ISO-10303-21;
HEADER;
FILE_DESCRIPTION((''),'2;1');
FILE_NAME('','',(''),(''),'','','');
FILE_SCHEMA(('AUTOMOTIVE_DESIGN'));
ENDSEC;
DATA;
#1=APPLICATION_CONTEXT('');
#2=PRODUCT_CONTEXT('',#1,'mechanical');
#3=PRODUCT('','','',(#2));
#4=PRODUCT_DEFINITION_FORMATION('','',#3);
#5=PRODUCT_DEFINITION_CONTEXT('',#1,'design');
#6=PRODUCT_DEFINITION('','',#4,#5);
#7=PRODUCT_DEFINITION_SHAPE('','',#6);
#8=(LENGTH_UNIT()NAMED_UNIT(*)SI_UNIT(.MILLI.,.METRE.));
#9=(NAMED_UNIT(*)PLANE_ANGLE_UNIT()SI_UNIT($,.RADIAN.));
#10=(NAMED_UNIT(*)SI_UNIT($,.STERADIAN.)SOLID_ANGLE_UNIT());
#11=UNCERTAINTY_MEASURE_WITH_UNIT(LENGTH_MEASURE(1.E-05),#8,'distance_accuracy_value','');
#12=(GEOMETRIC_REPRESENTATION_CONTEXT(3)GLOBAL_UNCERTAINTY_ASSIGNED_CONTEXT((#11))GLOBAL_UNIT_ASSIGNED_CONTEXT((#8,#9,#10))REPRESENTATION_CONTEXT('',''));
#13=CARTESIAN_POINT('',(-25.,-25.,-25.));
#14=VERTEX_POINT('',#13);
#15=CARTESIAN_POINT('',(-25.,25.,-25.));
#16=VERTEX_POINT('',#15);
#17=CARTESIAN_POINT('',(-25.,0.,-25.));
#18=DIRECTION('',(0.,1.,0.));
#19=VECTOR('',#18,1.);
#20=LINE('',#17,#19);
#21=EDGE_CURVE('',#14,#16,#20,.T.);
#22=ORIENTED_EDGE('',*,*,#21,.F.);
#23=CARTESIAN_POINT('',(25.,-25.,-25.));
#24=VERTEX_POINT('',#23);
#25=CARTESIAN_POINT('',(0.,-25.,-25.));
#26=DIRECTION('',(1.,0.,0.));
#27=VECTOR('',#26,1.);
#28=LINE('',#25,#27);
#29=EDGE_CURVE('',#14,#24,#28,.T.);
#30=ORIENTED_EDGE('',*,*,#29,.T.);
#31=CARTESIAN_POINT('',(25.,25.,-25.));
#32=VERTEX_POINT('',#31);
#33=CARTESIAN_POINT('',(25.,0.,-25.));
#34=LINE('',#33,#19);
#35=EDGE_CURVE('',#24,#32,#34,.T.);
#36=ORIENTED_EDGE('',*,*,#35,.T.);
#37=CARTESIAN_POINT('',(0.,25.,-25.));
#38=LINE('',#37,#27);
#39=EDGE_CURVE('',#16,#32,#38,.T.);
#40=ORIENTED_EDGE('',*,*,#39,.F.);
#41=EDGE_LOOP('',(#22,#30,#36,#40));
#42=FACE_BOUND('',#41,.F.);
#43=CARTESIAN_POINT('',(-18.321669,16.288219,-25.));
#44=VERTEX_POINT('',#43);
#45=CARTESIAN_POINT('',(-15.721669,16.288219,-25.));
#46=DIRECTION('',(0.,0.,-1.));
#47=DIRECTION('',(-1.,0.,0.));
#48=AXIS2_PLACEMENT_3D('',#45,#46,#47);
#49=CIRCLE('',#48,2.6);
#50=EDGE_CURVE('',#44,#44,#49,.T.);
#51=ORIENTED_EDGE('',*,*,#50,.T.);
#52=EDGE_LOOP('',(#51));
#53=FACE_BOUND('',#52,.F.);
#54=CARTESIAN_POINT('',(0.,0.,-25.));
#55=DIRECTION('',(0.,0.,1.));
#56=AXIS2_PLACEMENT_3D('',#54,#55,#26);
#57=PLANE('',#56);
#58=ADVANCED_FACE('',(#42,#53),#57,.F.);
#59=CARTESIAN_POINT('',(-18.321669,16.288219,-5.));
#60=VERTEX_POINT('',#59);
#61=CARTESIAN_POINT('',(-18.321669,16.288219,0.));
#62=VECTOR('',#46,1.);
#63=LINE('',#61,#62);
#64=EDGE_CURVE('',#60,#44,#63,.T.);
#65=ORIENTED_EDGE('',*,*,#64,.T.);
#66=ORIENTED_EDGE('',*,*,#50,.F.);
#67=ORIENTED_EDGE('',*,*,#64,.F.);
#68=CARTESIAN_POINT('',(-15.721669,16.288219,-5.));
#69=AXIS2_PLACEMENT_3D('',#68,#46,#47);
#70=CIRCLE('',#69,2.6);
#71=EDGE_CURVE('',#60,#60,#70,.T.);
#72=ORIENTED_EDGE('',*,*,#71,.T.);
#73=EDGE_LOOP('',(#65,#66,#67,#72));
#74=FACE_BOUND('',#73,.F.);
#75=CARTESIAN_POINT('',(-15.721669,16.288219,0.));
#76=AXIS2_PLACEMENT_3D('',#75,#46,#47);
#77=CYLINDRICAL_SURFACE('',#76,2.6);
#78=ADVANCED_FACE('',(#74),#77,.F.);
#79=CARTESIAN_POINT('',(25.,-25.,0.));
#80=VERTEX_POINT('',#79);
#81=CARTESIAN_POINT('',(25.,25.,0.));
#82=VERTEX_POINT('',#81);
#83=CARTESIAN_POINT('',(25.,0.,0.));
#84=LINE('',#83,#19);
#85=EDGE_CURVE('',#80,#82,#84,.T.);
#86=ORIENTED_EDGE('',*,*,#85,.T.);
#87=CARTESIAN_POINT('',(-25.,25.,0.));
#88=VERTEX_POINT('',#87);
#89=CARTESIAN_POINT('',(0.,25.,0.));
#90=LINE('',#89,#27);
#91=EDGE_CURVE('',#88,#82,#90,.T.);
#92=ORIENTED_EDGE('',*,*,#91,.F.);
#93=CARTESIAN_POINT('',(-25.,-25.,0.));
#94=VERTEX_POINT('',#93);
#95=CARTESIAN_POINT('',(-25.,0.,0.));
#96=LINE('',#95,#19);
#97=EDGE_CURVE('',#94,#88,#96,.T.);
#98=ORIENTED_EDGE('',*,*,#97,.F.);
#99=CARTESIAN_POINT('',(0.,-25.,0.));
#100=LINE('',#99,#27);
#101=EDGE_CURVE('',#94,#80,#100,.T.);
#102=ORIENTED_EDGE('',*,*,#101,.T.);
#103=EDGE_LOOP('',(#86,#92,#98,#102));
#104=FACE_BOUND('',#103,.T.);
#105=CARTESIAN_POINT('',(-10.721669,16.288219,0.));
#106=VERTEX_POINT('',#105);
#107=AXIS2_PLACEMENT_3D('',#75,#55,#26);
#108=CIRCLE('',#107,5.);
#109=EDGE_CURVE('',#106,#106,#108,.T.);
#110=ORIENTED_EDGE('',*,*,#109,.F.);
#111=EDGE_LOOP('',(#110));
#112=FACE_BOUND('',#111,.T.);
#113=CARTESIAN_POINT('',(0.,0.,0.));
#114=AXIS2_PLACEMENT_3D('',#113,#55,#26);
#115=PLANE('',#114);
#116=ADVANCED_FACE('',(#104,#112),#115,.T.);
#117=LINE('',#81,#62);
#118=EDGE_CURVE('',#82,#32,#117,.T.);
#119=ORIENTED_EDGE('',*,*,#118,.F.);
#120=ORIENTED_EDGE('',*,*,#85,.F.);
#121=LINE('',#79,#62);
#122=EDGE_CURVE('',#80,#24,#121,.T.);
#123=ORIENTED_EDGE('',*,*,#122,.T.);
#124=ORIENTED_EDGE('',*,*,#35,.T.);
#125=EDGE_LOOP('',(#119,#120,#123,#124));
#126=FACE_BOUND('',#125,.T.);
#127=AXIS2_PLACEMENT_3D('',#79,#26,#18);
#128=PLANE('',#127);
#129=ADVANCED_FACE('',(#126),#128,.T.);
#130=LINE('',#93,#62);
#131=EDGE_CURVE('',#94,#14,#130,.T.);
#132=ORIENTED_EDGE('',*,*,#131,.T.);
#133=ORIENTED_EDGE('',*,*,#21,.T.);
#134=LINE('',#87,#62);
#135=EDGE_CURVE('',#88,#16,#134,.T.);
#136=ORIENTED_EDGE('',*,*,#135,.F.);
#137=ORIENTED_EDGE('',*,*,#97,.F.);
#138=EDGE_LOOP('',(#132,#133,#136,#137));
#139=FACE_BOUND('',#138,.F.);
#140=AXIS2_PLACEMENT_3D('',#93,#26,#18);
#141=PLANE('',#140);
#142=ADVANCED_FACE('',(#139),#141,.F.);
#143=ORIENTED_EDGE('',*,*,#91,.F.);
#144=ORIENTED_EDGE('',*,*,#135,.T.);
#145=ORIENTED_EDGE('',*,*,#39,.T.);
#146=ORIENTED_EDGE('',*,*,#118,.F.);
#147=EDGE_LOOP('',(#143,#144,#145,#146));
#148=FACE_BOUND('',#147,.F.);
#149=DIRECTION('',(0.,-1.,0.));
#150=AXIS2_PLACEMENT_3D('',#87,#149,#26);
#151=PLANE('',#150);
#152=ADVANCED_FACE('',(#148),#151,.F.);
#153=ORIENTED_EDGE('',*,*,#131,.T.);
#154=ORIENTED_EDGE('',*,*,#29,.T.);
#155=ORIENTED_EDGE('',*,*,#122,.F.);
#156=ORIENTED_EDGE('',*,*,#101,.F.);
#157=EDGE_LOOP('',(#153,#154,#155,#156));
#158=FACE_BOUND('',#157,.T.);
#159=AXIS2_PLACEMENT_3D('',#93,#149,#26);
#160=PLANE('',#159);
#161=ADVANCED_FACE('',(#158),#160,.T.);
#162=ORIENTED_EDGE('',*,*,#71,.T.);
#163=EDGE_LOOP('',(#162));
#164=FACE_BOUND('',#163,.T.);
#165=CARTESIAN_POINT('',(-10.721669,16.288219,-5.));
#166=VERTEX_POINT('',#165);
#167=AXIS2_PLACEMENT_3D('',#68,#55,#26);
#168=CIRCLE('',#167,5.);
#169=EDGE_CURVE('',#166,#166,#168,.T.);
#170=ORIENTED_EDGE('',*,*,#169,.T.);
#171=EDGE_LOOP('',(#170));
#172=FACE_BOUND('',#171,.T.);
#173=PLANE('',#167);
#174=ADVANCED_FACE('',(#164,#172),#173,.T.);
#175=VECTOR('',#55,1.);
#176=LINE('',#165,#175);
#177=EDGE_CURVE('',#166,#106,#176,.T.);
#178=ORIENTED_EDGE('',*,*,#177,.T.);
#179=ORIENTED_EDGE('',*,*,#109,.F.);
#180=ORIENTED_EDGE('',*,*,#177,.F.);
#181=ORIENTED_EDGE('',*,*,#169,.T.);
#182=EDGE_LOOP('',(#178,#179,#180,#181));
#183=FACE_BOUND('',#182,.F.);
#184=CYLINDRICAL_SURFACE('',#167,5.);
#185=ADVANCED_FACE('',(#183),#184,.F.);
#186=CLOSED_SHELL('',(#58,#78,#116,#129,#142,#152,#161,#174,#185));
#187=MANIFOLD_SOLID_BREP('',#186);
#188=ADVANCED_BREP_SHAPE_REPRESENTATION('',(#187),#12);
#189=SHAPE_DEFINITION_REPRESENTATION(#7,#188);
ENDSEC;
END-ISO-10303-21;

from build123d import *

# Parameters (mm, degrees)
F0_W           = 50
F0_H           = 50
F1_DEPTH       = 25
F3_D           = 5.2
F3_CBORE_D     = 10
F3_CBORE_DEPTH = 5


with BuildPart() as f1:
    # F0 (on Top) → F1 (new body)
    with BuildSketch(Plane.XY):
        Rectangle(F0_W, F0_H)
    extrude(amount=-F1_DEPTH)

    # F3 (through all)
    with Locations(Plane.XY):
        with Locations((-15.721669, 16.288219)):
            CounterBoreHole(F3_D / 2, F3_CBORE_D / 2, F3_CBORE_DEPTH)


solid = f1.part
